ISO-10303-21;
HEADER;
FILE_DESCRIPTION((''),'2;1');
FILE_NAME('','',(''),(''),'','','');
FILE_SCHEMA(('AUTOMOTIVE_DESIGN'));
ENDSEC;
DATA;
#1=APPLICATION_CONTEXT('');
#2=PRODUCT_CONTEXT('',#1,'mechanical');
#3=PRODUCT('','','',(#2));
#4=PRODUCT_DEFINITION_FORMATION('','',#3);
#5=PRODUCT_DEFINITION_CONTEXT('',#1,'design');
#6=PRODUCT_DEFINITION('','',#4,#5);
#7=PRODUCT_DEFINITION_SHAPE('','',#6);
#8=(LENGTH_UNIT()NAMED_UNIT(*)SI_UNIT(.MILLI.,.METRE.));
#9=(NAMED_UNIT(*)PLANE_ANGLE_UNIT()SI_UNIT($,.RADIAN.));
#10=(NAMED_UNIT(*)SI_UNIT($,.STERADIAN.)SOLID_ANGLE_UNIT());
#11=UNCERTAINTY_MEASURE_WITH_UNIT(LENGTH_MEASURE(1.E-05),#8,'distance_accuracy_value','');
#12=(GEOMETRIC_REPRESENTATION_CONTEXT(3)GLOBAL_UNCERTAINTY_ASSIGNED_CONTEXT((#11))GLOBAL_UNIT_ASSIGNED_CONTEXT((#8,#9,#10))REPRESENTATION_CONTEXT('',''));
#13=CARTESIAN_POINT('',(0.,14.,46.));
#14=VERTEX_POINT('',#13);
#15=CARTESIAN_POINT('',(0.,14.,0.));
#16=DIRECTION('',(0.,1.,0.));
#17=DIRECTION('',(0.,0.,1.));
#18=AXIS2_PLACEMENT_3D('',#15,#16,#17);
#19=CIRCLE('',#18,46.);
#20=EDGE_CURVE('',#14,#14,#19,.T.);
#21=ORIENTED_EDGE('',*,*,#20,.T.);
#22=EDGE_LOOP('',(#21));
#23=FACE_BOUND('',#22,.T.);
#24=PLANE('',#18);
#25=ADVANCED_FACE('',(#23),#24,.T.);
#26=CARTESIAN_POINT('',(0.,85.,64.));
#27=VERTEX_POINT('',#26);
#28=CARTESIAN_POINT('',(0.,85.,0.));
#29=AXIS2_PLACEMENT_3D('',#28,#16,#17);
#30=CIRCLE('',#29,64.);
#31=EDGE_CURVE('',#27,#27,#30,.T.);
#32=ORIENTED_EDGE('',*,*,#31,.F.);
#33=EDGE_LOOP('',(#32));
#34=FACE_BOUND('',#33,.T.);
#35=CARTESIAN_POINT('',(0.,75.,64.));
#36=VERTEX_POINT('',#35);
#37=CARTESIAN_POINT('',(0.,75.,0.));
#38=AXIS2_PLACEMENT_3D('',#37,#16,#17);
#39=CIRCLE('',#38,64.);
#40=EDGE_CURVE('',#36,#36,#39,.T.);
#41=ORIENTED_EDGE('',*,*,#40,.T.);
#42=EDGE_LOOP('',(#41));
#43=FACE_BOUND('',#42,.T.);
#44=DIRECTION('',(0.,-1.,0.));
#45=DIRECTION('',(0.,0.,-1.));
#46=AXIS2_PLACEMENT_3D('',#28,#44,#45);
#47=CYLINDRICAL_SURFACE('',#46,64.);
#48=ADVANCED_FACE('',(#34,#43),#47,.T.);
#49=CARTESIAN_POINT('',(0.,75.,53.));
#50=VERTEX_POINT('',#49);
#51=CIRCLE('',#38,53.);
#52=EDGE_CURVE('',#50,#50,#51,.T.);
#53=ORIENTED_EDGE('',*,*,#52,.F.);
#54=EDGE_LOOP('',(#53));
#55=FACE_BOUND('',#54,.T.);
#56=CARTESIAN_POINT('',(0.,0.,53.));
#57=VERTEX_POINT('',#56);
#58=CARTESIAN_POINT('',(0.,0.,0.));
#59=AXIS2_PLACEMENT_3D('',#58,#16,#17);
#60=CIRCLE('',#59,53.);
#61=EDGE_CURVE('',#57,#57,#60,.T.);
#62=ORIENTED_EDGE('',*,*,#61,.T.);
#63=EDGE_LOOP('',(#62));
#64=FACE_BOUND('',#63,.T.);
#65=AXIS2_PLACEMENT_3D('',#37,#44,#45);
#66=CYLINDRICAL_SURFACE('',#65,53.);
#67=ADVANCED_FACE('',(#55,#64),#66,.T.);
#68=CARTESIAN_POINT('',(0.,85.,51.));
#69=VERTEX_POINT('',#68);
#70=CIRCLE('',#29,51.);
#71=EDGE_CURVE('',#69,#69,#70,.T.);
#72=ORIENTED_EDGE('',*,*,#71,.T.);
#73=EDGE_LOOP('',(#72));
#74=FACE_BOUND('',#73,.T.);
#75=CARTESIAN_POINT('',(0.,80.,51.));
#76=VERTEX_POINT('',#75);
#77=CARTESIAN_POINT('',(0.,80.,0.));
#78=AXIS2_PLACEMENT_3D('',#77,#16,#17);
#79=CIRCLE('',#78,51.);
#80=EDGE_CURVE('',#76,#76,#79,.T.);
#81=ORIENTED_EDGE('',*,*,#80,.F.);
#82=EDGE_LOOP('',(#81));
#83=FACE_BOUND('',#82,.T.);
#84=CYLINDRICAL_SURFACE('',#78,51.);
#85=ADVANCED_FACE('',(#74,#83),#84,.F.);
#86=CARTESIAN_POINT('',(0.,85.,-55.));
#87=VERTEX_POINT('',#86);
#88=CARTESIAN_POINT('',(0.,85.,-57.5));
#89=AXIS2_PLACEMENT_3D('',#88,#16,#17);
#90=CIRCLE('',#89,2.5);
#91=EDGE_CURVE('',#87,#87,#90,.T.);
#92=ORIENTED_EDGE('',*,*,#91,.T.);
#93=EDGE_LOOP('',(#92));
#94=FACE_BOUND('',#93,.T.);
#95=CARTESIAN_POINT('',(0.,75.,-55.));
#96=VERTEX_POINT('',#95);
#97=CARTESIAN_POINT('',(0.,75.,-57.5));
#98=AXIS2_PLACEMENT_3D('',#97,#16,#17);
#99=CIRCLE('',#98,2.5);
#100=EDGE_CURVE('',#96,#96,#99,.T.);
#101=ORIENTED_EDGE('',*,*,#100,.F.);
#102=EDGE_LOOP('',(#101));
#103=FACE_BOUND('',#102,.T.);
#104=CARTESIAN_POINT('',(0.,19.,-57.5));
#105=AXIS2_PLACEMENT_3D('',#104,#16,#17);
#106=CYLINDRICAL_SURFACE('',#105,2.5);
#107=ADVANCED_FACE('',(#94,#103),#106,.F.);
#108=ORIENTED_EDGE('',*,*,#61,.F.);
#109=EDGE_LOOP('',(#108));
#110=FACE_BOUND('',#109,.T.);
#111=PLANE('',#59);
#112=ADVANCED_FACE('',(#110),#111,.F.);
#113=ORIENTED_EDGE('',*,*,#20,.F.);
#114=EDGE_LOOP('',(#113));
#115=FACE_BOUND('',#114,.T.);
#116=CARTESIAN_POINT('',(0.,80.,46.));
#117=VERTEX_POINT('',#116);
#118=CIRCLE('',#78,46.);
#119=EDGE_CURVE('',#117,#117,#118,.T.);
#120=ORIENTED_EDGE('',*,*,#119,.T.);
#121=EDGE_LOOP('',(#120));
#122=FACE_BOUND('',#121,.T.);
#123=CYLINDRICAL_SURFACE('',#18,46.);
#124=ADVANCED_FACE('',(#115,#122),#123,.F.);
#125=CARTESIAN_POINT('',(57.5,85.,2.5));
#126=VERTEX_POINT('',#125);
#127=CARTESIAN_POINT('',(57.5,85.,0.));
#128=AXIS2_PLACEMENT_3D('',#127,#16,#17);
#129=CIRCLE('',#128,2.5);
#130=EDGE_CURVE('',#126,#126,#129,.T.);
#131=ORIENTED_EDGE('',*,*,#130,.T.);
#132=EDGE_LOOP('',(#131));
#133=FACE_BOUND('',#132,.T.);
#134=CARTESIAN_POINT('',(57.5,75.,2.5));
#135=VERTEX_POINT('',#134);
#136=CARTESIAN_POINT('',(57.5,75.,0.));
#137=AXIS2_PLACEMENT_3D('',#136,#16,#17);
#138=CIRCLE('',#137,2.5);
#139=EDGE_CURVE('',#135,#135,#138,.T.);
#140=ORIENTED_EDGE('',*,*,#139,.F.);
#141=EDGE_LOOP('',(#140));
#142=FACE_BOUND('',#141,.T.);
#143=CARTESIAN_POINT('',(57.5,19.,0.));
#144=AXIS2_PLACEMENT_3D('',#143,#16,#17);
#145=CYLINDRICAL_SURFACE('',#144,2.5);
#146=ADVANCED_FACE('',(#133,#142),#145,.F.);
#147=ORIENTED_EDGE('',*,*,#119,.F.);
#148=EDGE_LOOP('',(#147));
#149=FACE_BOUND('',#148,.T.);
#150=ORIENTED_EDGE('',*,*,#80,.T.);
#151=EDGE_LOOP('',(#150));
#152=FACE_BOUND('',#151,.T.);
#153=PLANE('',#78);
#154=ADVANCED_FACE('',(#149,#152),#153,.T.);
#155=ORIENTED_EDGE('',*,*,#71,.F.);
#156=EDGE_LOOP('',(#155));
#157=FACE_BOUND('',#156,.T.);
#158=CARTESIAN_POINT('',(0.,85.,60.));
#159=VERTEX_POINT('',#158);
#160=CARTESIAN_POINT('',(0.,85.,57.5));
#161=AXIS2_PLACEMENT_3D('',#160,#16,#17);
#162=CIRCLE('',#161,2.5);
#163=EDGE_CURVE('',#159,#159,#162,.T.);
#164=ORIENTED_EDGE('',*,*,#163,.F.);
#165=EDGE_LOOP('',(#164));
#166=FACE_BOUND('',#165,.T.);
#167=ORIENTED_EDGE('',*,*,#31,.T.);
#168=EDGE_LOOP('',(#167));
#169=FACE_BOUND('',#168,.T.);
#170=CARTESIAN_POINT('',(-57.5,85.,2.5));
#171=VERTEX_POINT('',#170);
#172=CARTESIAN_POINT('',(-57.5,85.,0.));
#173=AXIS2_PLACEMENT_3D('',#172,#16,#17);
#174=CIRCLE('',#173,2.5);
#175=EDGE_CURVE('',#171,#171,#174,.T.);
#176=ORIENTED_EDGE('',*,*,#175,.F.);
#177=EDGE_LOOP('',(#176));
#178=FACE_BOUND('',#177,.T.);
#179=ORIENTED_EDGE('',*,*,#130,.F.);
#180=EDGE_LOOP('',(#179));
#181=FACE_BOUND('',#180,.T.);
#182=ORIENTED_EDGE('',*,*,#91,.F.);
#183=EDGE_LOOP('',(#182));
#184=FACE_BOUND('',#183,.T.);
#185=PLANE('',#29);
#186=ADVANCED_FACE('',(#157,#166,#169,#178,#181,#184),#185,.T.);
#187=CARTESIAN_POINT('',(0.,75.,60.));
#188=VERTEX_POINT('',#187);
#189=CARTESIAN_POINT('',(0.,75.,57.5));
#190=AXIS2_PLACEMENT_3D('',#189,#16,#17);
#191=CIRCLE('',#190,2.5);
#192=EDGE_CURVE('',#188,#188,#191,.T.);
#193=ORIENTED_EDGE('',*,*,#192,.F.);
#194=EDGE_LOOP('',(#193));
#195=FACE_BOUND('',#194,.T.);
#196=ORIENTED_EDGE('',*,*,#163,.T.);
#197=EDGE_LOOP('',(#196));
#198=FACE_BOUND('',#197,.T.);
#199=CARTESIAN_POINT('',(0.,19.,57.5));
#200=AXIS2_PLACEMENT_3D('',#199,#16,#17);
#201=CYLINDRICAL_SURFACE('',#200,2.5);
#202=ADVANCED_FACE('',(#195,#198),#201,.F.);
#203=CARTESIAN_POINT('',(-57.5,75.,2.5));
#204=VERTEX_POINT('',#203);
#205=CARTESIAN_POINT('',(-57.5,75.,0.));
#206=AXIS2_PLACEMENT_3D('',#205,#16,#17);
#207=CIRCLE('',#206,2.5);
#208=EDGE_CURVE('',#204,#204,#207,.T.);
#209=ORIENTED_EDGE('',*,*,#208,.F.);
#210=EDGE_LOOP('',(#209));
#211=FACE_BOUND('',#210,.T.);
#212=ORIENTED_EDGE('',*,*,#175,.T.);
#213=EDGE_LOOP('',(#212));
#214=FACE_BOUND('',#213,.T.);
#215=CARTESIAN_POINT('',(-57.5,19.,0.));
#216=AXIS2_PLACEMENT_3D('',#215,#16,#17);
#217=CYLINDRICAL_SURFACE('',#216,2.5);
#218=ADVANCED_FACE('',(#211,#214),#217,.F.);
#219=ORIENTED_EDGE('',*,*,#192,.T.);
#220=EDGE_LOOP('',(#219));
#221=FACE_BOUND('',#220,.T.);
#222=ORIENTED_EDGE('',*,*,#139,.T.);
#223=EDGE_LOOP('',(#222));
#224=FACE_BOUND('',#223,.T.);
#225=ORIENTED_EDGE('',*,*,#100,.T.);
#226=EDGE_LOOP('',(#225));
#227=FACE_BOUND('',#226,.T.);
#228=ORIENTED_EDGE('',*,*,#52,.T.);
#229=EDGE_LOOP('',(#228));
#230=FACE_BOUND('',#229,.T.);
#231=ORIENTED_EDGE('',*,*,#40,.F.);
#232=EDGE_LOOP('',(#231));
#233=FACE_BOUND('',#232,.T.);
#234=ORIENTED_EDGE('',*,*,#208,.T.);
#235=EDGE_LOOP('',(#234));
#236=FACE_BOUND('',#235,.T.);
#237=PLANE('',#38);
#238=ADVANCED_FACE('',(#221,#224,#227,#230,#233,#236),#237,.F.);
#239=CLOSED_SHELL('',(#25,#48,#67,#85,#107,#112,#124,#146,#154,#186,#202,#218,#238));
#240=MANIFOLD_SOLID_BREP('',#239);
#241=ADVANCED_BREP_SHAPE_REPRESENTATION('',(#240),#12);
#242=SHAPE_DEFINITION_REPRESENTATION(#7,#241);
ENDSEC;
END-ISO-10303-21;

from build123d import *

# Parameters (mm, degrees)
SKETCH1_R           = 53
BOSS_EXTRUDE1_DEPTH = 75
SKETCH2_R           = 64
BOSS_EXTRUDE2_DEPTH = 10
SKETCH3_R           = 51
CUT_EXTRUDE1_DEPTH  = 5
SKETCH5_R           = 46
CUT_EXTRUDE2_DEPTH  = 66
SKETCH6_R           = 2.5
CUT_EXTRUDE3_DEPTH  = 66


with BuildPart() as part:
    # Sketch1 → Boss-Extrude1 (new body)
    with BuildSketch(Plane(origin=(0, 0, 0), x_dir=(1, 0, 0), z_dir=(0, 1, 0))):
        Circle(SKETCH1_R)
    extrude(amount=BOSS_EXTRUDE1_DEPTH)

    # Sketch2 → Boss-Extrude2 (add)
    with BuildSketch(Plane(origin=(0, 75, 0), x_dir=(1, 0, 0), z_dir=(0, 1, 0))):
        Circle(SKETCH2_R)
    extrude(amount=BOSS_EXTRUDE2_DEPTH)

    # Sketch3 → Cut-Extrude1 (cut)
    with BuildSketch(Plane(origin=(0, 85, 0), x_dir=(1, 0, 0), z_dir=(0, 1, 0))):
        Circle(SKETCH3_R)
    extrude(amount=-CUT_EXTRUDE1_DEPTH, mode=Mode.SUBTRACT)

    # Sketch5 → Cut-Extrude2 (cut)
    with BuildSketch(Plane(origin=(0, 80, 0), x_dir=(1, 0, 0), z_dir=(0, 1, 0))):
        Circle(SKETCH5_R)
    extrude(amount=-CUT_EXTRUDE2_DEPTH, mode=Mode.SUBTRACT)

    # Sketch6 → Cut-Extrude3 (cut)
    with BuildSketch(Plane(origin=(0, 85, 0), x_dir=(1, 0, 0), z_dir=(0, 1, 0))):
        with Locations((-57.5, 0)):
            Circle(SKETCH6_R)
        with Locations((0, 57.5)):
            Circle(SKETCH6_R)
        with Locations((57.5, 0)):
            Circle(SKETCH6_R)
        with Locations((0, -57.5)):
            Circle(SKETCH6_R)
    extrude(amount=-CUT_EXTRUDE3_DEPTH, mode=Mode.SUBTRACT)


solid = part.part
